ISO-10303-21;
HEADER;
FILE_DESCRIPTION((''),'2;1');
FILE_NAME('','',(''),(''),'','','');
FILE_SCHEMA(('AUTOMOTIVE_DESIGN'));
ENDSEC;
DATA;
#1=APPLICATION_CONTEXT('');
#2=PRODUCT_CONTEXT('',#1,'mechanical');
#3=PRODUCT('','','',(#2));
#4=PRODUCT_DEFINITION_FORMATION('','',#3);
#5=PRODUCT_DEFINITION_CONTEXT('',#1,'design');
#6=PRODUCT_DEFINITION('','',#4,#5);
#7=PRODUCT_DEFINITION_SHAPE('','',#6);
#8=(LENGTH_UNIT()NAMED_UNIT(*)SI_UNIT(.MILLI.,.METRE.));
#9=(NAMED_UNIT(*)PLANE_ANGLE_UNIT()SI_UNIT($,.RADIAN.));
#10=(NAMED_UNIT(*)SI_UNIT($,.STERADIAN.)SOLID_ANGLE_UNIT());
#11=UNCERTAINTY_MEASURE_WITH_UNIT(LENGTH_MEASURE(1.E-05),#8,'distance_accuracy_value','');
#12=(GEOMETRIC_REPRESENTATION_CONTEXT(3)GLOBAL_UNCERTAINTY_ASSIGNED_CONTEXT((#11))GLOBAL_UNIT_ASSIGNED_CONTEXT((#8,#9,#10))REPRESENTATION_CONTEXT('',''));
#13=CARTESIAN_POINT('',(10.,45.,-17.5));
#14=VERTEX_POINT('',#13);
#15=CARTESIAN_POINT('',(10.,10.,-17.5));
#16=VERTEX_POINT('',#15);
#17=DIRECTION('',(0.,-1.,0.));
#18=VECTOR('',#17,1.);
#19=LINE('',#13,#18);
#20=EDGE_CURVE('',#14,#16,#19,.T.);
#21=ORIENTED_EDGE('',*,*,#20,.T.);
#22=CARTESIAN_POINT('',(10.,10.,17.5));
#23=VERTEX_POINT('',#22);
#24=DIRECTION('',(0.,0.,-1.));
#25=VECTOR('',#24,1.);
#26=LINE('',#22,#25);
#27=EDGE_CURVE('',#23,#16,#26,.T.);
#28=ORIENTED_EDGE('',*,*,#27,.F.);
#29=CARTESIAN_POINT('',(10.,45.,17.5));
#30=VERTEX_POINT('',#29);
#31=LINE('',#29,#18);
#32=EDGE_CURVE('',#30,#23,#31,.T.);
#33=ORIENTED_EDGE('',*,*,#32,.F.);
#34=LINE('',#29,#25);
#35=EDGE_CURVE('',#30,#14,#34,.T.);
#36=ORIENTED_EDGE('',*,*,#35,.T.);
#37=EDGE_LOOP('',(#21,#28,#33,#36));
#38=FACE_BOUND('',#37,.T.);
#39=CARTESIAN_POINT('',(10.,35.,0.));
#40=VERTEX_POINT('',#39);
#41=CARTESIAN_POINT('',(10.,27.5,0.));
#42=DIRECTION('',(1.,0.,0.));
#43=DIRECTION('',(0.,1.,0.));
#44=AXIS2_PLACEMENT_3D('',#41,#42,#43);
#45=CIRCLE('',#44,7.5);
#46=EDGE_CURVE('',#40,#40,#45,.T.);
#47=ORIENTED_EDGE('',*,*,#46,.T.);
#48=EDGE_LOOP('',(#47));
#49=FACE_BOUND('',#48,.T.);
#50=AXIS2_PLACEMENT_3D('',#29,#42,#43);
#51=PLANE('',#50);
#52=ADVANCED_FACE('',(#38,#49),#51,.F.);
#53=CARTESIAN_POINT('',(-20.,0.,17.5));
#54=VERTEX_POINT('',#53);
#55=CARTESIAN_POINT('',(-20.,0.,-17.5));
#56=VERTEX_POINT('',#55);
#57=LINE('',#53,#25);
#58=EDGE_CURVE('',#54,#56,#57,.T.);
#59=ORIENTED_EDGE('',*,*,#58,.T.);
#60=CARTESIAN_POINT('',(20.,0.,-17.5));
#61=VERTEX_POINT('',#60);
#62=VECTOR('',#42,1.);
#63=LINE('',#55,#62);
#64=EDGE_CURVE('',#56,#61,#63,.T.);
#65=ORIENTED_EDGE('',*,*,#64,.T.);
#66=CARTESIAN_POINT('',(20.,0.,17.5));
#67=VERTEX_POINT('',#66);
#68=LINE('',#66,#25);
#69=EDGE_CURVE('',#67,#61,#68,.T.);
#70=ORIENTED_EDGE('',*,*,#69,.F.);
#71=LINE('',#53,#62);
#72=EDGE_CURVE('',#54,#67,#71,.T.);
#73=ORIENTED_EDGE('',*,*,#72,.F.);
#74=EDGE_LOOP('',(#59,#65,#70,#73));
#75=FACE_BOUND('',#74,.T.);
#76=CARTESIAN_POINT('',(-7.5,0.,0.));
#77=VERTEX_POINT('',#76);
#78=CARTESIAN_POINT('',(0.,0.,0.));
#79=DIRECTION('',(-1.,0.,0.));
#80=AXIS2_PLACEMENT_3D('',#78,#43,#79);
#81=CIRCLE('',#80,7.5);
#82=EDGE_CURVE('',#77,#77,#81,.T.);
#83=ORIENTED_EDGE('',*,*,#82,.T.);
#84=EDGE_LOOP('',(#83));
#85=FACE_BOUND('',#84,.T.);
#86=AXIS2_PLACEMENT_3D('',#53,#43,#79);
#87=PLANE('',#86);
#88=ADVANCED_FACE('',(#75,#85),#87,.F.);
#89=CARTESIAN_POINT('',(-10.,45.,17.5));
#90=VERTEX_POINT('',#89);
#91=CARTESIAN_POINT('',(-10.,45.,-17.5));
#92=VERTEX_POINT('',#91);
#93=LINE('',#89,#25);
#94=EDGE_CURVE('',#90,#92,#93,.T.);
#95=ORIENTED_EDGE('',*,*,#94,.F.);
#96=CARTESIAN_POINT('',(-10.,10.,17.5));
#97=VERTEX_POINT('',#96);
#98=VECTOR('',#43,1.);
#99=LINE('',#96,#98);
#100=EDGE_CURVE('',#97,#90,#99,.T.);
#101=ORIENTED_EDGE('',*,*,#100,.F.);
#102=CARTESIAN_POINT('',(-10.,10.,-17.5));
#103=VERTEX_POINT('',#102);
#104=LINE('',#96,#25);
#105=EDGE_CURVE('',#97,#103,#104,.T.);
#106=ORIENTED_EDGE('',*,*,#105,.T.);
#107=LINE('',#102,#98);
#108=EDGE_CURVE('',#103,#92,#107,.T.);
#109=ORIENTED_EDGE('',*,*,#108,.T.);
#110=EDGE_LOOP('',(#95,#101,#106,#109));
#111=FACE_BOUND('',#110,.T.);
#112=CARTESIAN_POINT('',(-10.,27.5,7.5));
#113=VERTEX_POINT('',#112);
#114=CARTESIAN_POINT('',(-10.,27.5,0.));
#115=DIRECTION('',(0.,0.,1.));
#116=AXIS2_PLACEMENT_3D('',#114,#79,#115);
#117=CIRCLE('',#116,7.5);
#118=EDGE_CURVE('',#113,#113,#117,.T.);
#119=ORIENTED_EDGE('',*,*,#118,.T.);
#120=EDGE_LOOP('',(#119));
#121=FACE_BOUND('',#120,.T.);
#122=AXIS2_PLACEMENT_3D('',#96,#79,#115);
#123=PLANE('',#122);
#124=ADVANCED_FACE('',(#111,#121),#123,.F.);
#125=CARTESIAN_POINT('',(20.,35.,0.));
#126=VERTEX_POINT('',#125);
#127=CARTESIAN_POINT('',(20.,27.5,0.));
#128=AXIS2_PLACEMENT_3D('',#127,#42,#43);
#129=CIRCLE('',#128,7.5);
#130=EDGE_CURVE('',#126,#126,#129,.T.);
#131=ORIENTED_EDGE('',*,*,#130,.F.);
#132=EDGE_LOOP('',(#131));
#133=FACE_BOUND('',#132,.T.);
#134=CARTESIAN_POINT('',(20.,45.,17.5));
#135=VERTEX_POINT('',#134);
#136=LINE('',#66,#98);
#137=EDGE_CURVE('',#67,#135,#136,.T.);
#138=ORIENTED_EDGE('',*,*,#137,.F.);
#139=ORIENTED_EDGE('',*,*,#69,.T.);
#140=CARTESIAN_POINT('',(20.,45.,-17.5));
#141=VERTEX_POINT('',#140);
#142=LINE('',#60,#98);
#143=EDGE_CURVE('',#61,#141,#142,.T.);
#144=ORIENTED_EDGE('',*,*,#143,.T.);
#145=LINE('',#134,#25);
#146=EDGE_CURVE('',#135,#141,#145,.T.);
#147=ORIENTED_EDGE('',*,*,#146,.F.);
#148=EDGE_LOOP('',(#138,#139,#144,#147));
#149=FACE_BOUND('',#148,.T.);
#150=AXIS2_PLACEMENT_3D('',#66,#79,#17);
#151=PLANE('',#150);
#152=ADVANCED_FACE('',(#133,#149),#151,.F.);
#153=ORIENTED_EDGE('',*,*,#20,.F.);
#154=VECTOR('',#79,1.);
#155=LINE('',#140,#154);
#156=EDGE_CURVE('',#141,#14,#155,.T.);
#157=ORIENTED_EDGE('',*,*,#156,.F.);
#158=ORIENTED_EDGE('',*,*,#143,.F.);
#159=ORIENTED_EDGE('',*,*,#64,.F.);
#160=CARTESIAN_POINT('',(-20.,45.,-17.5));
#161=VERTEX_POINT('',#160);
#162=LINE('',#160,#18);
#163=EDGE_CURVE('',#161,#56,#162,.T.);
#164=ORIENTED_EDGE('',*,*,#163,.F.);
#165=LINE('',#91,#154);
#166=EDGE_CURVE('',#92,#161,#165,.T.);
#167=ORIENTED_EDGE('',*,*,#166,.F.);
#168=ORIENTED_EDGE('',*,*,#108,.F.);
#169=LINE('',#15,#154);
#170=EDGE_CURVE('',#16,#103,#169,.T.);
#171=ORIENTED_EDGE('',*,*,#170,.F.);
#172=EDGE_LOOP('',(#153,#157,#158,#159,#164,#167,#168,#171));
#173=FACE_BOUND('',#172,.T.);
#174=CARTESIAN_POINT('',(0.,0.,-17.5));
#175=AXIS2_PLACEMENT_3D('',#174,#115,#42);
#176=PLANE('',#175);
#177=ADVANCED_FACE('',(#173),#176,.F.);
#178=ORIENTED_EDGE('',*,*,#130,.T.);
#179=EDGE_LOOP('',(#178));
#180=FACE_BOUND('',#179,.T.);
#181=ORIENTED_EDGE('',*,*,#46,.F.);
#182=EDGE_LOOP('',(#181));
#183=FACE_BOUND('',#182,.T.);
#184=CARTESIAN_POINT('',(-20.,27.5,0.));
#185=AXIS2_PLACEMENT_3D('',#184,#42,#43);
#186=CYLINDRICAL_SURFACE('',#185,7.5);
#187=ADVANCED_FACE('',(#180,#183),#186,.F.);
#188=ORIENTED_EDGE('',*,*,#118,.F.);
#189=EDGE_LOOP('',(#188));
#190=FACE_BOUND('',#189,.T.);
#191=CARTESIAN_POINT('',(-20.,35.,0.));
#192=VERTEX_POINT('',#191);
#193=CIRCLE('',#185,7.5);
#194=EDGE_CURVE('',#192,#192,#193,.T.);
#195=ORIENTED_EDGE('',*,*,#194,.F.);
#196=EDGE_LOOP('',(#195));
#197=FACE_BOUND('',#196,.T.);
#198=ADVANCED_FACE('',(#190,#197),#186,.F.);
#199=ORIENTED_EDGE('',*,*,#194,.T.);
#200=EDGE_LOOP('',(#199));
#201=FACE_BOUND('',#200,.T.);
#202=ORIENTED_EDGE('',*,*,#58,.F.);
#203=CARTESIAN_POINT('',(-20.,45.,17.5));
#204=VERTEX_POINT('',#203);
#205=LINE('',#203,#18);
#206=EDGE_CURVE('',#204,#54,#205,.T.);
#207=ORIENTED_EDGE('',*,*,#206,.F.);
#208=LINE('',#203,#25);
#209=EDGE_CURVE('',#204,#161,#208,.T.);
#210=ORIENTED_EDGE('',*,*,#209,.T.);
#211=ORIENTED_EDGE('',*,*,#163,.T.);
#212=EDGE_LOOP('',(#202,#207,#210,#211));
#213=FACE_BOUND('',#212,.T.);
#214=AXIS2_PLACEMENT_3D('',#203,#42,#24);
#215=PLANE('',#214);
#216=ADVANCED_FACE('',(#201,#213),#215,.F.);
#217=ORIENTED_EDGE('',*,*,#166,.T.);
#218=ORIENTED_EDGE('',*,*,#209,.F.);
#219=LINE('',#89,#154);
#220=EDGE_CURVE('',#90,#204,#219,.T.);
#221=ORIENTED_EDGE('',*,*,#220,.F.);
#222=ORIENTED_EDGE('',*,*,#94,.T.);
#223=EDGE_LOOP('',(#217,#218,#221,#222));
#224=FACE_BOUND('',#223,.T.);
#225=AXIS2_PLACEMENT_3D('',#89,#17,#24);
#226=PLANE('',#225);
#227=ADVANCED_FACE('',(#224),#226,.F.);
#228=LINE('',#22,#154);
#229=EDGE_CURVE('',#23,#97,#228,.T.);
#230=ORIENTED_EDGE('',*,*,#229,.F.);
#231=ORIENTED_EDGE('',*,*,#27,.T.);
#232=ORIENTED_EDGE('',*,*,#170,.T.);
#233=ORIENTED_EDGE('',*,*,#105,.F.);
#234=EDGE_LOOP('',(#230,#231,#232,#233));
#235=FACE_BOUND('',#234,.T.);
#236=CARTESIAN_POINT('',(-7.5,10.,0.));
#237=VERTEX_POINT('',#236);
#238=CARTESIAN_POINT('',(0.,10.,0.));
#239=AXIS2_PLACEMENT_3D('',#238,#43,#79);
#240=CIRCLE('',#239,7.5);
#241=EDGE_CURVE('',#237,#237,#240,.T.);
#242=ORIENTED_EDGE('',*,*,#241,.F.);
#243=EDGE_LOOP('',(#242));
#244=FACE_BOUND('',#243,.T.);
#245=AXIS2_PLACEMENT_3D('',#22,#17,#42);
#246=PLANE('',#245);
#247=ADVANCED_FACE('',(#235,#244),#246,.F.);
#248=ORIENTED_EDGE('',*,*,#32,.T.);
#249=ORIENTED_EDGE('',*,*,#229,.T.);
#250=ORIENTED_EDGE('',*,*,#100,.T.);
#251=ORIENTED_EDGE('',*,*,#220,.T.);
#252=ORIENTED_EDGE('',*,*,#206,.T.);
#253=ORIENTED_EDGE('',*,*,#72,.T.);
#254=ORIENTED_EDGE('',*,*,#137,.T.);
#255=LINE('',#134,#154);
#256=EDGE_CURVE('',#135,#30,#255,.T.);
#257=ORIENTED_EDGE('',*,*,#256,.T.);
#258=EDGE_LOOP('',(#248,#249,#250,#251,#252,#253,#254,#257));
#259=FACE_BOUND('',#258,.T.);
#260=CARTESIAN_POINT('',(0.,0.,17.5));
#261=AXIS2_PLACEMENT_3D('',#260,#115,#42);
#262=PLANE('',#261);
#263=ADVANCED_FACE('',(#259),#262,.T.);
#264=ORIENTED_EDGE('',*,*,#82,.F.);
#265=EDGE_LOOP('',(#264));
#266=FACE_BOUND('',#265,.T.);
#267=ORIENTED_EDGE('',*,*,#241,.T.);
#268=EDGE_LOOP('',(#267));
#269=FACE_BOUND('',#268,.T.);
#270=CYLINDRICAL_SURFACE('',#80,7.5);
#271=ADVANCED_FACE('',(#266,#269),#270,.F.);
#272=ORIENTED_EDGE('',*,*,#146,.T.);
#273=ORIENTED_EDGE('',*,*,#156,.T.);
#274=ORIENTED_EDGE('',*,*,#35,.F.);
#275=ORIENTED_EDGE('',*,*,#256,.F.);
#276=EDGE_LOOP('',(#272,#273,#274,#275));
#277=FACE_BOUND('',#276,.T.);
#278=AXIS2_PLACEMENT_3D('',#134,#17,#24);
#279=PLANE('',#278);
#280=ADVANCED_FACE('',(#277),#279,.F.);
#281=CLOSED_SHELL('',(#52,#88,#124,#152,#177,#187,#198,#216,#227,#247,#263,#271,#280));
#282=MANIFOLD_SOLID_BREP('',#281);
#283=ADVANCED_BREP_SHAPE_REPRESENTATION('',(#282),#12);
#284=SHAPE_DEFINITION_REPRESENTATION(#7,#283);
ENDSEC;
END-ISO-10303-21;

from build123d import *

# Parameters (mm, degrees)
BOSS_EXTRUDE1_DEPTH = 17.5
SKETCH2_R           = 7.5
CUT_EXTRUDE1_DEPTH  = 41
SKETCH3_R           = 7.5
CUT_EXTRUDE2_DEPTH  = 11


with BuildPart() as part:
    # Sketch1 → Boss-Extrude1 (new body, symmetric)
    with BuildSketch(Plane.XY):
        Polygon((-20, 45), (-20, 0), (20, 0), (20, 45), (10, 45), (10, 10), (-10, 10), (-10, 45), align=None)
    extrude(amount=BOSS_EXTRUDE1_DEPTH, both=True)

    # Sketch2 → Cut-Extrude1 (cut, through all)
    with BuildSketch(Plane(origin=(20, 0, 0), x_dir=(0, 0, -1), z_dir=(1, 0, 0))):
        with Locations((0, 27.5)):
            Circle(SKETCH2_R)
    extrude(amount=-CUT_EXTRUDE1_DEPTH, mode=Mode.SUBTRACT)

    # Sketch3 → Cut-Extrude2 (cut, through all)
    with BuildSketch(Plane(origin=(0, 10, 0), x_dir=(1, 0, 0), z_dir=(0, 1, 0))):
        Circle(SKETCH3_R)
    extrude(amount=-CUT_EXTRUDE2_DEPTH, mode=Mode.SUBTRACT)


solid = part.part
